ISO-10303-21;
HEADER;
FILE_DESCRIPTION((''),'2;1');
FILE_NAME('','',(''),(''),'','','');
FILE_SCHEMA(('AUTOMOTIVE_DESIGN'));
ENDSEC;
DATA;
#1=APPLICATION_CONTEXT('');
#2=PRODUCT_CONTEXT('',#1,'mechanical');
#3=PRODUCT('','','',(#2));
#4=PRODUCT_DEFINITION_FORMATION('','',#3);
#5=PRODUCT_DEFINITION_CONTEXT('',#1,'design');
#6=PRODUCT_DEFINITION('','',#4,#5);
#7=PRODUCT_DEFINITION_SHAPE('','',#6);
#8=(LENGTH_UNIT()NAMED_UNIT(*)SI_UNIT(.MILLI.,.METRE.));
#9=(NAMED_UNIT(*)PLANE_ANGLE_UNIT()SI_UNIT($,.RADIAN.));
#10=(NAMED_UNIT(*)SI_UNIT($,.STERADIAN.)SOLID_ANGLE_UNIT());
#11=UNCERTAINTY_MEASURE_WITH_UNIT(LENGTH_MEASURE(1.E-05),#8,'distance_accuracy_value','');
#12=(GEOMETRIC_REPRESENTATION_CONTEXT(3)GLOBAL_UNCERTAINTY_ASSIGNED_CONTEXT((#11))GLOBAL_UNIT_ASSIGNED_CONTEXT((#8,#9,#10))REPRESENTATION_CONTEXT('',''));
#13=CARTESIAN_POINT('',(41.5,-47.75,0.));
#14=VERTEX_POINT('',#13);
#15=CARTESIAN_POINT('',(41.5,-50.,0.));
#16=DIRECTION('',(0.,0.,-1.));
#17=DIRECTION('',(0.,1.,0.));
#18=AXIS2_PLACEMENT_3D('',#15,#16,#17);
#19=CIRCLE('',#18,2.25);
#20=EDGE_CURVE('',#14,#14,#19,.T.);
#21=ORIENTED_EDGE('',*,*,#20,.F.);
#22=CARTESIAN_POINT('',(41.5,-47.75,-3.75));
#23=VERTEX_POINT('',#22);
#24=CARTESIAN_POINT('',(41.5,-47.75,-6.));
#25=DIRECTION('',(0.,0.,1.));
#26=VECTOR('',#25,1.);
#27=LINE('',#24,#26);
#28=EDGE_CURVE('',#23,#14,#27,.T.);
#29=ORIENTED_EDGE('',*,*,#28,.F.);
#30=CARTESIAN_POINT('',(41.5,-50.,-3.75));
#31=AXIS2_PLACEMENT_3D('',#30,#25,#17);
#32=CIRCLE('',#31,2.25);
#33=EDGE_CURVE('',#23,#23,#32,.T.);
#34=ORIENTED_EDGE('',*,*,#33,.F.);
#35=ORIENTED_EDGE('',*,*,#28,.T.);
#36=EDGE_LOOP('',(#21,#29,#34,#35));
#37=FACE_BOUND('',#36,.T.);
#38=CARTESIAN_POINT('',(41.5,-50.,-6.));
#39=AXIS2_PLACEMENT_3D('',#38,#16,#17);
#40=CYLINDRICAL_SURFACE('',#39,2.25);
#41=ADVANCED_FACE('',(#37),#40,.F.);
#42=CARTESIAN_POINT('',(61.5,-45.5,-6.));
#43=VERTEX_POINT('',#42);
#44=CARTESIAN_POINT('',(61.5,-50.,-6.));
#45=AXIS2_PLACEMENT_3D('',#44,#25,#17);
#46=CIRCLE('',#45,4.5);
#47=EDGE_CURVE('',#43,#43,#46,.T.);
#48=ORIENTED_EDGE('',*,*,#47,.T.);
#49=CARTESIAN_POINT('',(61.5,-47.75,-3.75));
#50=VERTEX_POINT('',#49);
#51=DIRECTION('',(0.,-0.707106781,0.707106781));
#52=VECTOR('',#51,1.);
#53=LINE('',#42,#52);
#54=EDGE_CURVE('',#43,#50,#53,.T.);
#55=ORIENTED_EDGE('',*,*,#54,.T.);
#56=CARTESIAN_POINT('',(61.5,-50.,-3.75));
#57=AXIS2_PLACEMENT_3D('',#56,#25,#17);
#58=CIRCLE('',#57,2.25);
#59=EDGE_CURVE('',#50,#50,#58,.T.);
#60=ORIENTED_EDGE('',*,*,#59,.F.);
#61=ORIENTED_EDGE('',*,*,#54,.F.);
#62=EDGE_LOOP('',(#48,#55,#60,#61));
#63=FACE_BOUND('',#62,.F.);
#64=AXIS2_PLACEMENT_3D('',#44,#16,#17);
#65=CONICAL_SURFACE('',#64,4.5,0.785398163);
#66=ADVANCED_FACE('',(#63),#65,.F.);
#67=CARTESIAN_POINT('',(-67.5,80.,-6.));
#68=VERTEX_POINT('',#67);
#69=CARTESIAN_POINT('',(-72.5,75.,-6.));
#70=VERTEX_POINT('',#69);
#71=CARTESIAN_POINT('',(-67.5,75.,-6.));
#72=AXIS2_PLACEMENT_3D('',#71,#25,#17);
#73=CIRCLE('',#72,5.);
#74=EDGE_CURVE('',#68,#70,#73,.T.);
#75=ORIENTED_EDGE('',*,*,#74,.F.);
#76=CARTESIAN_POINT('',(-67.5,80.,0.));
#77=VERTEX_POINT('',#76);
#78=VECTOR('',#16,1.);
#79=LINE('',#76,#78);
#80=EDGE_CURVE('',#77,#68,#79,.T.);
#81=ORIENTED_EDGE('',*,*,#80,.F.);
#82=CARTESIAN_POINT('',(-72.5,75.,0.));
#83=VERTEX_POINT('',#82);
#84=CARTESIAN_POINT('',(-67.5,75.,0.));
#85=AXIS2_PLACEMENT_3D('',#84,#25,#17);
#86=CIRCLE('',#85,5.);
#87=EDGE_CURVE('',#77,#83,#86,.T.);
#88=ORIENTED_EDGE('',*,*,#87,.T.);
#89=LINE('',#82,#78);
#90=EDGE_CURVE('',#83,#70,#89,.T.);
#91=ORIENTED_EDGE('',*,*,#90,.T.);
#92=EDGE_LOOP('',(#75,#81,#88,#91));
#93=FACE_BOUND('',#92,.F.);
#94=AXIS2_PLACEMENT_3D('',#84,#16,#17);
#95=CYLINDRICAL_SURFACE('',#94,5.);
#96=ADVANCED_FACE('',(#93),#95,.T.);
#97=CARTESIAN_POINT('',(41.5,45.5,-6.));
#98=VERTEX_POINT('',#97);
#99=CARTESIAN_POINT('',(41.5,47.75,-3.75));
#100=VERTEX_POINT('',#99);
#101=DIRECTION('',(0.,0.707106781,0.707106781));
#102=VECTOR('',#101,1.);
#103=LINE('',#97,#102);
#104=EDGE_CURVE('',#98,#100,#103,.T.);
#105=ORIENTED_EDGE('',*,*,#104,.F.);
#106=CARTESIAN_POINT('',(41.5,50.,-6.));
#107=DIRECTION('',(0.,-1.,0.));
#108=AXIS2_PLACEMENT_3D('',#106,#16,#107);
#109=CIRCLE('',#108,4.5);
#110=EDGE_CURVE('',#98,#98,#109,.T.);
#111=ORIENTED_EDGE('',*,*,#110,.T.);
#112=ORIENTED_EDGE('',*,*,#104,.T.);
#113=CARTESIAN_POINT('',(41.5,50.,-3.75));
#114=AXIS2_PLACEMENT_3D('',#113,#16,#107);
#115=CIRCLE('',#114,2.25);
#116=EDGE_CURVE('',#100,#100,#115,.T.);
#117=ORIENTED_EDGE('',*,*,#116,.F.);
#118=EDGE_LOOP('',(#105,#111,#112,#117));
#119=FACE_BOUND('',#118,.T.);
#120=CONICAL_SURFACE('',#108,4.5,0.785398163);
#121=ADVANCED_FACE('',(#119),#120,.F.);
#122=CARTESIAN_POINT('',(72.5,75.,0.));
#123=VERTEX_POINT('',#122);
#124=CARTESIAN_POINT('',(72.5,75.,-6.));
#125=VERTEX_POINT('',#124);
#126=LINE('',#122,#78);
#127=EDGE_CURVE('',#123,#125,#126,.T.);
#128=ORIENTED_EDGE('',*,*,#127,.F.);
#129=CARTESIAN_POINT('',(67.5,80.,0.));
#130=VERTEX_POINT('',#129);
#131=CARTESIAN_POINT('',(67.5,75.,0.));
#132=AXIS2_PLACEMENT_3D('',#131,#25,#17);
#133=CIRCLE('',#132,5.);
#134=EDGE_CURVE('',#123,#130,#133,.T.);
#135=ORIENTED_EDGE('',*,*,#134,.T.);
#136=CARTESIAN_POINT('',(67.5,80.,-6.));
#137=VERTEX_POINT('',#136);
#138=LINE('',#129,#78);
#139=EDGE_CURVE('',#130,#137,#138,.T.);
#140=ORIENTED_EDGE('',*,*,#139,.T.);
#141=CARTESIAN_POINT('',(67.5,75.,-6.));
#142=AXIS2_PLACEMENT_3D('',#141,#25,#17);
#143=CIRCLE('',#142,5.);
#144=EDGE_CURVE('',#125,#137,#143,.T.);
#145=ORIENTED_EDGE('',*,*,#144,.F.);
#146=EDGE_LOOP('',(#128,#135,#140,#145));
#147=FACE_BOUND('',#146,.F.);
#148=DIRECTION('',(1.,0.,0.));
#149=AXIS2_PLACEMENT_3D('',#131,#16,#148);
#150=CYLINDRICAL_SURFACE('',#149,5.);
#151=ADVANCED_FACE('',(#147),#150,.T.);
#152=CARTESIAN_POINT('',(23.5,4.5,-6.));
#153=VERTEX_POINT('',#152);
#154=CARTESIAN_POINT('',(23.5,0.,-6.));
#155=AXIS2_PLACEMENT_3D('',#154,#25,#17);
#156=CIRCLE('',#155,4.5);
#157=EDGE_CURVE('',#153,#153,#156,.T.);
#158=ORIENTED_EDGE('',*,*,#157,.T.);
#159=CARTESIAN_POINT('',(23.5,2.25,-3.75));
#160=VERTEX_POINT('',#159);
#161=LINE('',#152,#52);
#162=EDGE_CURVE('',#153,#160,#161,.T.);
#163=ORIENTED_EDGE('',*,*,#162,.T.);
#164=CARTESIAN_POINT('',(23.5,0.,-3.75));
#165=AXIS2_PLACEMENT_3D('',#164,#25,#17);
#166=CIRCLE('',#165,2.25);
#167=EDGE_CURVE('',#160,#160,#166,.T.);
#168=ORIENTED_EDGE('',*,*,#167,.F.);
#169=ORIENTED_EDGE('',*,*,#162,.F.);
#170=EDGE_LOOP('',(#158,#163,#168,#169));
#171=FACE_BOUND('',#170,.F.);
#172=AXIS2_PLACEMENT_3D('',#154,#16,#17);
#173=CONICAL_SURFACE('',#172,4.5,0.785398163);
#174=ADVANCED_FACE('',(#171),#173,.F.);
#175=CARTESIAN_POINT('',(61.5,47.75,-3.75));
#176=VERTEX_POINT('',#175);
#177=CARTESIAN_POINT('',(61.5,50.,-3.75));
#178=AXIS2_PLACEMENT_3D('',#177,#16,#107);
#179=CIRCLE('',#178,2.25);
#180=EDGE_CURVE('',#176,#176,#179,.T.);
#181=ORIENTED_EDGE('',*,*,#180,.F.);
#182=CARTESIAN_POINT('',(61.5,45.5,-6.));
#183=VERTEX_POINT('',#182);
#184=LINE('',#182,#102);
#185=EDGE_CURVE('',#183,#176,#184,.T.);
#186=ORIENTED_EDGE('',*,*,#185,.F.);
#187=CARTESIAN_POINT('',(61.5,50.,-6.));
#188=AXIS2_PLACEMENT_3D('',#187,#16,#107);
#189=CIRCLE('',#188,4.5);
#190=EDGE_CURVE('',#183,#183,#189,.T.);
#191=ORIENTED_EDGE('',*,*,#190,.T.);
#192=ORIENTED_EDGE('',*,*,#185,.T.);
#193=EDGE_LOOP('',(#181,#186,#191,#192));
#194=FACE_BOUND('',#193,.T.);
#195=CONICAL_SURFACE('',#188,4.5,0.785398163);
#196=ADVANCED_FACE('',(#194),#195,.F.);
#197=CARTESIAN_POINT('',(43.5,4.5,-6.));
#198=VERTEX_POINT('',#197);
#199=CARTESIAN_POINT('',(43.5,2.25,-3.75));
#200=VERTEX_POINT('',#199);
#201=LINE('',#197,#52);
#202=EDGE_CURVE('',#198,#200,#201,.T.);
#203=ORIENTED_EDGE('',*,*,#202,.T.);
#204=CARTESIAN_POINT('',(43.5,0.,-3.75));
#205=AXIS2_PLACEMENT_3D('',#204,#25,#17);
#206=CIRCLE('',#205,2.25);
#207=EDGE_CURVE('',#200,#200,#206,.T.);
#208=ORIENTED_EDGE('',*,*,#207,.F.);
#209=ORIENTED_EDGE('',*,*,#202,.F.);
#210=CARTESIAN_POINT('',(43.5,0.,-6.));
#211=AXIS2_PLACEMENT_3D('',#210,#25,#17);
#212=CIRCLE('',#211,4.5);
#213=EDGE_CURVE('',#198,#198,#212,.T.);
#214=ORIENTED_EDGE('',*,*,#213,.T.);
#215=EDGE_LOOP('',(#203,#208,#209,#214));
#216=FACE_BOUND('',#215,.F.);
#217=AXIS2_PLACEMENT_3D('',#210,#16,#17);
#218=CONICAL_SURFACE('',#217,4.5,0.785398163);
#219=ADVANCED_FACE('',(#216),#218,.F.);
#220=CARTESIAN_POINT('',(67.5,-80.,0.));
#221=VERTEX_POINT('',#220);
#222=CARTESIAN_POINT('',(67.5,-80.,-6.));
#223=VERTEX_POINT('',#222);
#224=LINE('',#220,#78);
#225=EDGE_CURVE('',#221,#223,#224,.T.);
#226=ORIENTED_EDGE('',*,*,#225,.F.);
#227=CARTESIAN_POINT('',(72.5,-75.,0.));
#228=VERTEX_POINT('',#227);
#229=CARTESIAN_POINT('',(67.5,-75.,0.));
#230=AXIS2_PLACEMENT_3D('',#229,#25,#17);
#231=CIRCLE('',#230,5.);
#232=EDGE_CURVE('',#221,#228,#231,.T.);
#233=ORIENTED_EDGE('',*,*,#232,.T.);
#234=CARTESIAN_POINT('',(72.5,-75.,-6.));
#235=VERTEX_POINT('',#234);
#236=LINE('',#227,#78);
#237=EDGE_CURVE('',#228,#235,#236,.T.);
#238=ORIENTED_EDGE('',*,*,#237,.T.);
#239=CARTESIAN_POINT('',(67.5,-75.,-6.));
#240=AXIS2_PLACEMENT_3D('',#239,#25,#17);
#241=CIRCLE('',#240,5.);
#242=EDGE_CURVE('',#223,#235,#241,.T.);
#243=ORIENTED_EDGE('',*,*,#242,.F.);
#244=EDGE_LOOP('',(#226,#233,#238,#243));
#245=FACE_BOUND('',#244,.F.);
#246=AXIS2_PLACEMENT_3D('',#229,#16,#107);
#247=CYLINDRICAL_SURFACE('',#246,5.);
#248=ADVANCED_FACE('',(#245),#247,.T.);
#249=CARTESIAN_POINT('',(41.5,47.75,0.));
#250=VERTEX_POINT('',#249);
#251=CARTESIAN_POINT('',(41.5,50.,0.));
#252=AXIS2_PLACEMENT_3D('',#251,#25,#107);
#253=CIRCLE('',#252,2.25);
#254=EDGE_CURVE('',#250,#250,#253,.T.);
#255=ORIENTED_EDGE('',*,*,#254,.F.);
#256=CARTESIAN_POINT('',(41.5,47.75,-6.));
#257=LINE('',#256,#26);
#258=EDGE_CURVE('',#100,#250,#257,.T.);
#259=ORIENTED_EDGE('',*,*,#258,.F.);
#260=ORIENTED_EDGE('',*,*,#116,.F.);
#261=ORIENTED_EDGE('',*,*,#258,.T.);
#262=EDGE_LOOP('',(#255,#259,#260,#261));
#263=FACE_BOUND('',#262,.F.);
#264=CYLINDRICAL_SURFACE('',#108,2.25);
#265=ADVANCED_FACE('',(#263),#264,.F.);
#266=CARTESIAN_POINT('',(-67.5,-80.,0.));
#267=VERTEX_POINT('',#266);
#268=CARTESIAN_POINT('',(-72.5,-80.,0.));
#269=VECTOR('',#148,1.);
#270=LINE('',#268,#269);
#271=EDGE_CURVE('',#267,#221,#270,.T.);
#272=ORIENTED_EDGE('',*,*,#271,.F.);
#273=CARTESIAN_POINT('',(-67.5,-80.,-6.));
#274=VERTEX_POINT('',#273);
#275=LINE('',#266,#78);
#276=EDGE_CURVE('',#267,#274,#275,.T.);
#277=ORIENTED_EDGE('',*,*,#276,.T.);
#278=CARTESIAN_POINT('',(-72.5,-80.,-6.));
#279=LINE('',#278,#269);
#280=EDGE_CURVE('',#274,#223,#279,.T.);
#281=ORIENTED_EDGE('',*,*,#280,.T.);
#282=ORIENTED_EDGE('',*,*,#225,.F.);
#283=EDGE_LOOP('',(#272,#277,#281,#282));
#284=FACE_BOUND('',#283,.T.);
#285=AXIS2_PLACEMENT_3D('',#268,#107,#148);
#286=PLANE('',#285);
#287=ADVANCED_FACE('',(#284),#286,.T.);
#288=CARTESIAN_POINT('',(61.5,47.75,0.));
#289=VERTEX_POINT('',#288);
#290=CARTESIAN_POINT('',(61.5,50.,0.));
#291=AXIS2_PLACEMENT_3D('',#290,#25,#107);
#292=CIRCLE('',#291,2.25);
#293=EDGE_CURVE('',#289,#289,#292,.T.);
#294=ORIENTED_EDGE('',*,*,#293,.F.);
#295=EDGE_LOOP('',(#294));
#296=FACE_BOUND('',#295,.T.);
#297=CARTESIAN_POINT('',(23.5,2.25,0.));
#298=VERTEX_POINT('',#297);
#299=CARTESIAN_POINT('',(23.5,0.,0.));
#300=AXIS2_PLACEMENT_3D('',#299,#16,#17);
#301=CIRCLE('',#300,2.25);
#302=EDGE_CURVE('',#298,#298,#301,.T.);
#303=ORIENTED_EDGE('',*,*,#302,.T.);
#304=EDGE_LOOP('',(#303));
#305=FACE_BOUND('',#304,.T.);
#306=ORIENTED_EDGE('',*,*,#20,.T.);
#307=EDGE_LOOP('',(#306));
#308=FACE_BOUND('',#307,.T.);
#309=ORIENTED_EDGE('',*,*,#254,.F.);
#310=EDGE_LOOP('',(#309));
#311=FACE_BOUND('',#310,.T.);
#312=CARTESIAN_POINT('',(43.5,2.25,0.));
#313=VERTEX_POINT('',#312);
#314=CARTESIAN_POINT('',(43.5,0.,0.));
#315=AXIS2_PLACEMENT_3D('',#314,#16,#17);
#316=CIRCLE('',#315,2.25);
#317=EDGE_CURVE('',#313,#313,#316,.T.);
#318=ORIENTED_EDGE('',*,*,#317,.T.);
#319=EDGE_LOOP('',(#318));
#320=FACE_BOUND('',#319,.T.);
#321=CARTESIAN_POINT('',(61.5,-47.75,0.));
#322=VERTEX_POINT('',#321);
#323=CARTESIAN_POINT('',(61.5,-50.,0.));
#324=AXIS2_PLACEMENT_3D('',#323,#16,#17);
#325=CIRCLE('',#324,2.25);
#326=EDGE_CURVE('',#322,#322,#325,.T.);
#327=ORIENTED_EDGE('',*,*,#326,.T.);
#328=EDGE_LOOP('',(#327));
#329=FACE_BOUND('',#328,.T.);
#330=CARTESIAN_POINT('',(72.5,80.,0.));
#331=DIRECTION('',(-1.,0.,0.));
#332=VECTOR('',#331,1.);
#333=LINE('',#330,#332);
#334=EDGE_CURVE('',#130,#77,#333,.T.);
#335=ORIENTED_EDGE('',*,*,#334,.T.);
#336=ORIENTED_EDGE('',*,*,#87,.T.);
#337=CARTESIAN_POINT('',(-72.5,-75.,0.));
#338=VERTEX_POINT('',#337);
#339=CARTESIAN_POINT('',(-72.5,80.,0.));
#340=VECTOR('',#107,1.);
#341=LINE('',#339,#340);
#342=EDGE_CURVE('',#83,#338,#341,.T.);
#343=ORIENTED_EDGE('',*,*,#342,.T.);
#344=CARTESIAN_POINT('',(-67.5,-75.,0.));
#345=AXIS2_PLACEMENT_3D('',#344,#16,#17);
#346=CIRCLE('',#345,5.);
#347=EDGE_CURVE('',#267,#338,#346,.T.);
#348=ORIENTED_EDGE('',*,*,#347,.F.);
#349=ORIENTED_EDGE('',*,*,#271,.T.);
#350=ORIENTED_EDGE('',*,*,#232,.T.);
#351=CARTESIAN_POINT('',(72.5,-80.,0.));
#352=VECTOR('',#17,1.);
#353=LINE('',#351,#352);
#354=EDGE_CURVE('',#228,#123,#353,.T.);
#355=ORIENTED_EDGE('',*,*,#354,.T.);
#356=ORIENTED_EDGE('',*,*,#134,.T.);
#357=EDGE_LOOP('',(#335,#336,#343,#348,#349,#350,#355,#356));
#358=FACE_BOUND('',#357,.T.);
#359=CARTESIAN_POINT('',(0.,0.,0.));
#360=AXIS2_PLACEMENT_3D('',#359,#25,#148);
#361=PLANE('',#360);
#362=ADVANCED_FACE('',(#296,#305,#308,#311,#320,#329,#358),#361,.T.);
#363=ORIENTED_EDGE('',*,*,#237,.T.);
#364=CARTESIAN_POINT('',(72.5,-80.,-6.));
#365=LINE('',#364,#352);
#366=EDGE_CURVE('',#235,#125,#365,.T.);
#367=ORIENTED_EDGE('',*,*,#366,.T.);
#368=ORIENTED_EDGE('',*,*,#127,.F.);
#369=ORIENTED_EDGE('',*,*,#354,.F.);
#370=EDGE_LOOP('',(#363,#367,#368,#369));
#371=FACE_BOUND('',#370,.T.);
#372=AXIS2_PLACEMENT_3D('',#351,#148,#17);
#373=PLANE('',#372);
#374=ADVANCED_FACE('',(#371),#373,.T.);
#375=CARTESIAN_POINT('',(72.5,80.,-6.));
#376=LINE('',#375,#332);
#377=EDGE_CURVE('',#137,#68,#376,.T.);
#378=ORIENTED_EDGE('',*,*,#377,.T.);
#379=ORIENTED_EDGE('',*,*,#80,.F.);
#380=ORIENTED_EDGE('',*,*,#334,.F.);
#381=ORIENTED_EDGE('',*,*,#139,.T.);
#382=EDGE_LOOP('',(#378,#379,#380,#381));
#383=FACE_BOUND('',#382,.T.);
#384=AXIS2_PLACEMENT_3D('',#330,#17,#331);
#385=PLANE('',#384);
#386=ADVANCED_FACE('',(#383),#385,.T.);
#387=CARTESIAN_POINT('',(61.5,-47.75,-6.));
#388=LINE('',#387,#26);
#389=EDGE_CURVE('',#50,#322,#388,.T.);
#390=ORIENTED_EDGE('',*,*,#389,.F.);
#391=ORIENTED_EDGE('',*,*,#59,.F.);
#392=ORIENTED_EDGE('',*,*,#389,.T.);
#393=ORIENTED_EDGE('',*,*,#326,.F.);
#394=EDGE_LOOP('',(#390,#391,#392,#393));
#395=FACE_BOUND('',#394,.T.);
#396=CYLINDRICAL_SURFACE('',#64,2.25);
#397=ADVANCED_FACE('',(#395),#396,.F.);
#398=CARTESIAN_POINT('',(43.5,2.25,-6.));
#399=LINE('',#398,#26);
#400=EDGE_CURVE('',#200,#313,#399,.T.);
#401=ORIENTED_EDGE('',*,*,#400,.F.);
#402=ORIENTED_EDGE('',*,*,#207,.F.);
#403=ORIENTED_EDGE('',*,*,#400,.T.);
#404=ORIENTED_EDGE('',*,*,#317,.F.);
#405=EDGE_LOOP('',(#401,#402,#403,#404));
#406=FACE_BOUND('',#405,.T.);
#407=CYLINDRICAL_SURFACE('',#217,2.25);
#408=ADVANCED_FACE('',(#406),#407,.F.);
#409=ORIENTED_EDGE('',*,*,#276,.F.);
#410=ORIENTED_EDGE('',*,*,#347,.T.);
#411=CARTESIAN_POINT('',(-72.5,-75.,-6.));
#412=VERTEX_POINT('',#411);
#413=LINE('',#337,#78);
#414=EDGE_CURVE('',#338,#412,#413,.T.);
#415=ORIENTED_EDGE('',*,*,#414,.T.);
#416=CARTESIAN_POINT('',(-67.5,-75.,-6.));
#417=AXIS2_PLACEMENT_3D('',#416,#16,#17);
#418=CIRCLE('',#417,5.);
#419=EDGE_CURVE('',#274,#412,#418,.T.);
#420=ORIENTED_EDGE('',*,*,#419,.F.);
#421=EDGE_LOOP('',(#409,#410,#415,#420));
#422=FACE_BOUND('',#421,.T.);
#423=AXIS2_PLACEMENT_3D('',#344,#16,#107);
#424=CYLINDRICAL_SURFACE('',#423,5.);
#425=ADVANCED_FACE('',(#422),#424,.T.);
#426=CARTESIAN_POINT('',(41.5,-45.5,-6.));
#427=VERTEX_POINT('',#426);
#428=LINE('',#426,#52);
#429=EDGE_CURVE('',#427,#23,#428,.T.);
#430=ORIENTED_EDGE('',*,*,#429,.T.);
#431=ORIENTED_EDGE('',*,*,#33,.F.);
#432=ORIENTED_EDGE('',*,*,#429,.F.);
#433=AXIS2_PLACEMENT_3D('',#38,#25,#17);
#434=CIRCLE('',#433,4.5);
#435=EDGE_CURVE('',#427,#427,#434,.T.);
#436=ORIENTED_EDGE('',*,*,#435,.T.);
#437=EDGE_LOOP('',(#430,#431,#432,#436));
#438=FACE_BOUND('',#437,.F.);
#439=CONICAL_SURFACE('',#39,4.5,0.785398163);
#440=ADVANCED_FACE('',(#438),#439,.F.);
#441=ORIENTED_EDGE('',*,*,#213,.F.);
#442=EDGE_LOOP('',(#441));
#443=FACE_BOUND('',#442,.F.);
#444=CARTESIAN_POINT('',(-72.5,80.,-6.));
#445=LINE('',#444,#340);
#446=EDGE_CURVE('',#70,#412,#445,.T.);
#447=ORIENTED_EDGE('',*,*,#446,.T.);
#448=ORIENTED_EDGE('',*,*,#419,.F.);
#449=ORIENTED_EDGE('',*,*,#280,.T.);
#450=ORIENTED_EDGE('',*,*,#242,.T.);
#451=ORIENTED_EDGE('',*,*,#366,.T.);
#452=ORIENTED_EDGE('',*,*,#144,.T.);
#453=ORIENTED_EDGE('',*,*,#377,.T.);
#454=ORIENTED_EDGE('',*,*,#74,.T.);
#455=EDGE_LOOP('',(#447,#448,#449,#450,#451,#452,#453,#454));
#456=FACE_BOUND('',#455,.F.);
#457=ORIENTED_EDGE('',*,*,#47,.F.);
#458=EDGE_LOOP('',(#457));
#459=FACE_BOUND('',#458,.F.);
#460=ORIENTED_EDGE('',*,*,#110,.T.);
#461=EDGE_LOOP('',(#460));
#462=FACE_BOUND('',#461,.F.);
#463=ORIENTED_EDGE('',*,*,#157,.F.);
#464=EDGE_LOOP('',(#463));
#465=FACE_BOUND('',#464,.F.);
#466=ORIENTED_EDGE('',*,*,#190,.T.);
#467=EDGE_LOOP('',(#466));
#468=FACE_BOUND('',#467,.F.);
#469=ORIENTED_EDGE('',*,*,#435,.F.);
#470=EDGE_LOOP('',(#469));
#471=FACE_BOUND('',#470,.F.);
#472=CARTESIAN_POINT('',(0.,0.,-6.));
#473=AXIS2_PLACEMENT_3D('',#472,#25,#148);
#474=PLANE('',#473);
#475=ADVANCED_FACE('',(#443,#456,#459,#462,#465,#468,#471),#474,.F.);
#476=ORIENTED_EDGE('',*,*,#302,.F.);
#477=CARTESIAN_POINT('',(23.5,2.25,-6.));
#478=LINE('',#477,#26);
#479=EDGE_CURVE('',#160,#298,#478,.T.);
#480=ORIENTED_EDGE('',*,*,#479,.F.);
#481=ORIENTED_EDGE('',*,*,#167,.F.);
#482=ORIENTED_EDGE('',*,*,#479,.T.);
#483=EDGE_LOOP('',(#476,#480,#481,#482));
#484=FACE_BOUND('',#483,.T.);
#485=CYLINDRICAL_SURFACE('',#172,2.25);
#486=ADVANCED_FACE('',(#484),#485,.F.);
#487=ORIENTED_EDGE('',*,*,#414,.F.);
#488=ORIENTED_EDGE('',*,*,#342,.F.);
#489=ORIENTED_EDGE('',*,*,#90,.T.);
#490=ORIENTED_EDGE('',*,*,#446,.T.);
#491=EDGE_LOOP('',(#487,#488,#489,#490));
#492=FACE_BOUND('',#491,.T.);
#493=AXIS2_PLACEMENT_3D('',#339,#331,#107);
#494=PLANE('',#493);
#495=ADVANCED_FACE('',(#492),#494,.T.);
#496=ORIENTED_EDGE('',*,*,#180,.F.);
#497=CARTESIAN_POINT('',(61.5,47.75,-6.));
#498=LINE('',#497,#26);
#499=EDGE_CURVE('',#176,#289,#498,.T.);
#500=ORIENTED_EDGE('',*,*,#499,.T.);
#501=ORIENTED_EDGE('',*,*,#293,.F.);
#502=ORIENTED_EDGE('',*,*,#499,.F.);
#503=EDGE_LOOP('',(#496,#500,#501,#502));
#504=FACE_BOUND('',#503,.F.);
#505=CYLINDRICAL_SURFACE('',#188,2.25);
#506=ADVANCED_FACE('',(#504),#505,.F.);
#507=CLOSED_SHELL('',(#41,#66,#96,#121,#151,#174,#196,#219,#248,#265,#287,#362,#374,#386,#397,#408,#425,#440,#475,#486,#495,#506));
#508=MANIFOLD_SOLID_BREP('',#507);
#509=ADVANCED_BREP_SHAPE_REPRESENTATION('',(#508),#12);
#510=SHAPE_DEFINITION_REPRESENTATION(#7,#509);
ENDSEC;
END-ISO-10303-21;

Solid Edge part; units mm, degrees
sketch "Sketch1" plane through (60.3162, 60.3162, 0) normal (0, 0, 1) x (1, 0, 0)
  line L0 (-132.8162, -140.3162) -> (12.1838, -140.3162)
  line L1 (12.1838, -140.3162) -> (12.1838, 19.6838)
  line L2 (12.1838, 19.6838) -> (-132.8162, 19.6838)
  line L3 (-132.8162, 19.6838) -> (-132.8162, -140.3162)
  dimension "D1" = 145
  dimension "D2" = 160
extrude "Protrusion1" add sketch "Sketch1" against normal blind 6
fillet "Verrundung_1" radius 5 4 edges at (-72.5, 80, -3) (72.5, 80, -3) (72.5, -80, -3) (-72.5, -80, -3)
hole "Bohrung_3" at (43.5, 0, -6) direction (0, 0, 1) diameter 4.5 end up to next countersink diameter 9 countersink angle 90
hole "Hole1" at (23.5, 0, -6) direction (0, 0, 1) diameter 4.5 end up to next countersink diameter 9 countersink angle 90
hole "Bohrung_5" at (61.5, -50, -6) direction (0, 0, 1) diameter 4.5 end up to next countersink diameter 9 countersink angle 90
hole "Hole2" at (41.5, -50, -6) direction (0, 0, 1) diameter 4.5 end up to next countersink diameter 9 countersink angle 90
mirror "Mirror1" about plane through (9.6062, 0, 9.6062) normal (0, -1, 0) of "Bohrung_5", "Hole2"
properties material "Aluminium, 1060"
